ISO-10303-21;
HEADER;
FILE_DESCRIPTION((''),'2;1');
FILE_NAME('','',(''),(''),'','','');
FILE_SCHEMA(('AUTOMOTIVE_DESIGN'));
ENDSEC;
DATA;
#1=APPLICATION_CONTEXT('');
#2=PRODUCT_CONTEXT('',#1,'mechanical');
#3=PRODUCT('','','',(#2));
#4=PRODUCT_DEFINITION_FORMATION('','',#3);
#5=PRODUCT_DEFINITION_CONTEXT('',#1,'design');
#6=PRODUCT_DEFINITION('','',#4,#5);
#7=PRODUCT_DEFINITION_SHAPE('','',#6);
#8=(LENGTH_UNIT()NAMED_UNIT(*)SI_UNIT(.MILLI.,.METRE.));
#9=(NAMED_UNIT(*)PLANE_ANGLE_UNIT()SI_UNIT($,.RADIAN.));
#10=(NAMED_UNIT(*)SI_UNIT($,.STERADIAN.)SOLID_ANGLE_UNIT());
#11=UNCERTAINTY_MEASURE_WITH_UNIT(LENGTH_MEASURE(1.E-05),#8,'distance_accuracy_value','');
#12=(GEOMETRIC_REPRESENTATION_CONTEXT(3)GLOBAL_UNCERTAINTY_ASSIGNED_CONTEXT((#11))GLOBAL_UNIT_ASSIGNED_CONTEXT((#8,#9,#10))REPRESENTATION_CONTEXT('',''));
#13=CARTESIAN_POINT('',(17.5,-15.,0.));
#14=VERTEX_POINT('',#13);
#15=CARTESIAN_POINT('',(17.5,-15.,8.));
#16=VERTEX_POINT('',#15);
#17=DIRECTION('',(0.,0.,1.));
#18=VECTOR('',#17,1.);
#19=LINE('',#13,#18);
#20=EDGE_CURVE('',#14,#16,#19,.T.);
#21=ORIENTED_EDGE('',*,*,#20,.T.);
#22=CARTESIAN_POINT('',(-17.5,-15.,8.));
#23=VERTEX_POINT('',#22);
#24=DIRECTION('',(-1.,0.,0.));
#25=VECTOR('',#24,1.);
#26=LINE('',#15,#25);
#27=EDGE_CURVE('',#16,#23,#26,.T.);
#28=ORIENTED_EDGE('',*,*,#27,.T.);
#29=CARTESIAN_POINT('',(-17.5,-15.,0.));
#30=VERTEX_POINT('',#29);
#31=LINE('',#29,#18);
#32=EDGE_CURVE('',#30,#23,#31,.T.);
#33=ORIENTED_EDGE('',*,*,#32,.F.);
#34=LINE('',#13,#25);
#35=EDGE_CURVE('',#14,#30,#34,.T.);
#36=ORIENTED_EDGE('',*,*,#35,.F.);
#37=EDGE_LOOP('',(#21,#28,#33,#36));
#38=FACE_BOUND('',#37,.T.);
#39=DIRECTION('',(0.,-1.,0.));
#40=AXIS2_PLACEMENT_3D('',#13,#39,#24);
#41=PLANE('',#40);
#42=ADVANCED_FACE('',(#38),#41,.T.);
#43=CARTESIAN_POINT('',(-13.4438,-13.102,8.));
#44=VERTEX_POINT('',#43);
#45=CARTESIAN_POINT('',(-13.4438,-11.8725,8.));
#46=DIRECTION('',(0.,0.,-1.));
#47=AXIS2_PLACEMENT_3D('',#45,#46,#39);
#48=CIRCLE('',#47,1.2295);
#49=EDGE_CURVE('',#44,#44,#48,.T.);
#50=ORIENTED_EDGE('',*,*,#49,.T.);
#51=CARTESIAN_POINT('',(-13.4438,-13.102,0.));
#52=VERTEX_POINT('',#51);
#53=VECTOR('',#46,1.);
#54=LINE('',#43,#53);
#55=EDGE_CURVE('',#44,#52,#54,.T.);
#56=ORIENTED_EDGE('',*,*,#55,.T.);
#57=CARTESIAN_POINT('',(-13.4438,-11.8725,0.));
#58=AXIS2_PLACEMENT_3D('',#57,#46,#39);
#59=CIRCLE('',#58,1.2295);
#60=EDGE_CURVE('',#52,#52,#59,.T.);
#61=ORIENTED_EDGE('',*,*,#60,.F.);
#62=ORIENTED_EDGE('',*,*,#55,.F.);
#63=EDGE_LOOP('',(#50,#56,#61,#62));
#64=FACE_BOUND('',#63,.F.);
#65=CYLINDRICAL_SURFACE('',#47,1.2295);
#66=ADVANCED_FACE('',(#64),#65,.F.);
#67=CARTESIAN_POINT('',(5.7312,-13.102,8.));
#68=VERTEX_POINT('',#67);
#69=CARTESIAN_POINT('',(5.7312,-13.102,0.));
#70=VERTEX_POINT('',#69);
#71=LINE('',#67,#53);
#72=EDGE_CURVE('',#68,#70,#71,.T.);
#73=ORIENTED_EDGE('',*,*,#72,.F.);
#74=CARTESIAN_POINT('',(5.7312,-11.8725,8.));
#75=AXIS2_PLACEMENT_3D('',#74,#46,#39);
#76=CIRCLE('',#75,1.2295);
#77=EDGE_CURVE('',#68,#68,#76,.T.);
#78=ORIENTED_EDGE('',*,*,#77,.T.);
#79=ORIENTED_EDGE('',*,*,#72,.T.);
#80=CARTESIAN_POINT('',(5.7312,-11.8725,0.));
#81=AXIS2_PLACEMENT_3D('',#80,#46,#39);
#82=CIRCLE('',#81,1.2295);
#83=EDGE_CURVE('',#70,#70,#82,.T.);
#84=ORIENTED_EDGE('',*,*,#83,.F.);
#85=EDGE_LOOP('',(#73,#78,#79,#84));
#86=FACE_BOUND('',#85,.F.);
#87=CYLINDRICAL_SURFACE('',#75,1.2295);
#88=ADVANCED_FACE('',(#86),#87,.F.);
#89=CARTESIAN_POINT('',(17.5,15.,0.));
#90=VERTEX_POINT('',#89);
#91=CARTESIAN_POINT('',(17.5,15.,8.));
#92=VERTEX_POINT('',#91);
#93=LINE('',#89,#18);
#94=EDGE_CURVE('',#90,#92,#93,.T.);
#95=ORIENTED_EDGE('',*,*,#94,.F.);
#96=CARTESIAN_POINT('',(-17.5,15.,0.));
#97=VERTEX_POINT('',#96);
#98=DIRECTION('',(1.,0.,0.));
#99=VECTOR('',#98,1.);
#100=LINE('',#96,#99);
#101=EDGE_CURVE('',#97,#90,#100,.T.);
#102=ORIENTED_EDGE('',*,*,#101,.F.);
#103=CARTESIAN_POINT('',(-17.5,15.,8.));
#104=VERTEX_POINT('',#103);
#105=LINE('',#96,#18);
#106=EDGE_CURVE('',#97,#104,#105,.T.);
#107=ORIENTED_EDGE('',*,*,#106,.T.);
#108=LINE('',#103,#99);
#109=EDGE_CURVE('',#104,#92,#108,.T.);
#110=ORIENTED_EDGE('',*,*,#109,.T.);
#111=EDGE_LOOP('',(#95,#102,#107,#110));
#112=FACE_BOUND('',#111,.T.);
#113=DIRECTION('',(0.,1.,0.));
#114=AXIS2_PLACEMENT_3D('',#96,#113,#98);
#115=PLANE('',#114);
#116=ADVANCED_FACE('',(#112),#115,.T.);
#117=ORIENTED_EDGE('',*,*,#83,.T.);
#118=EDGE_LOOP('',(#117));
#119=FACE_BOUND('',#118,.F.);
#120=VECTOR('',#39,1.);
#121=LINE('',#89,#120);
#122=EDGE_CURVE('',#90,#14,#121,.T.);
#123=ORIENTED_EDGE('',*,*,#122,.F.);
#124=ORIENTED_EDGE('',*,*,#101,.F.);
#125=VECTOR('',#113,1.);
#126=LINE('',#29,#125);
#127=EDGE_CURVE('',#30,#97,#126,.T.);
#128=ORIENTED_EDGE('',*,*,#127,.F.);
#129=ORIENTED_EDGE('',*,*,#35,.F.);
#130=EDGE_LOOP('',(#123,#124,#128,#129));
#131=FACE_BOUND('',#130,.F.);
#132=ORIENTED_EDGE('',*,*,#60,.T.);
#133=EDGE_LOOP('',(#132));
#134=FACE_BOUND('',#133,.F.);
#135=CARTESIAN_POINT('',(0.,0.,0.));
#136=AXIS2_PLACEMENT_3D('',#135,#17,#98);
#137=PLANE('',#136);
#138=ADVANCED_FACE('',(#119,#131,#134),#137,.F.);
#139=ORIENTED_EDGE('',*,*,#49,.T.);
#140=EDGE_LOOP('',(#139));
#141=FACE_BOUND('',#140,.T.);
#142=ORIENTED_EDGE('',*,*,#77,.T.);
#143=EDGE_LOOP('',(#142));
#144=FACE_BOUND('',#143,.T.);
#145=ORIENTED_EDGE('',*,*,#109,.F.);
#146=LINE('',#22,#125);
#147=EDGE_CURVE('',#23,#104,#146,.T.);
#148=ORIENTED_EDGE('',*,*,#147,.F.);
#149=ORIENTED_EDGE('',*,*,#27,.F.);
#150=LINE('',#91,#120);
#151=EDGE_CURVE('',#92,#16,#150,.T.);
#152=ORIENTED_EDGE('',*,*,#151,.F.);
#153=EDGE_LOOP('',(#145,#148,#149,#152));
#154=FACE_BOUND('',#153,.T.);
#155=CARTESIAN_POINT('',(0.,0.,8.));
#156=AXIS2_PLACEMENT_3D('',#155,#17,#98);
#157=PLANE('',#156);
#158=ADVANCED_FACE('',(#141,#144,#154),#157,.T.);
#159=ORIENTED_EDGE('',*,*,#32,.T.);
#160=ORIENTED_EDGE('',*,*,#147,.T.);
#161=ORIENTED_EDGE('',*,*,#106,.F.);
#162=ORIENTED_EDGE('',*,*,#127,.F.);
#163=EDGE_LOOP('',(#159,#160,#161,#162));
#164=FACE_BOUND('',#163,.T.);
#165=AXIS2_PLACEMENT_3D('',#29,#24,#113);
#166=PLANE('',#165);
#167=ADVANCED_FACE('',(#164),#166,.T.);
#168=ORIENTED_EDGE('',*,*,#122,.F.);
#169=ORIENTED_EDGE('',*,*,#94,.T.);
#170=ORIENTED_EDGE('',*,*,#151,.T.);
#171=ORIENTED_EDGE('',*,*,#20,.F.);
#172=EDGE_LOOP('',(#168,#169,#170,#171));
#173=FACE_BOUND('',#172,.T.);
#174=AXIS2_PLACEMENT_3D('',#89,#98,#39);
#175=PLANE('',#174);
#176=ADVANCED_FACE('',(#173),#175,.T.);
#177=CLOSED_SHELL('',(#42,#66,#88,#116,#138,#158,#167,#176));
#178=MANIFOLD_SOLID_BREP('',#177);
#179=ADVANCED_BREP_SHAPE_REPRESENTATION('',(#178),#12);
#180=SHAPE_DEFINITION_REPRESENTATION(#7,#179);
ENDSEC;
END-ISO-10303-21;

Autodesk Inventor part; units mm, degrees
ref_plane "YZ Plane" through (0, 0, 0) normal (1, 0, 0) x (0, 1, 0)
ref_plane "XZ Plane" through (0, 0, 0) normal (0, 1, 0) x (-1, 0, 0)
ref_plane "XY Plane" through (0, 0, 0) normal (0, 0, 1) x (1, 0, 0)
sketch "Sketch1" plane through (0, 0, 0) normal (0, 0, 1) x (1, 0, 0)
  line L0 (-17.5, 15) -> (17.5, 15)
  line L1 (17.5, 15) -> (17.5, -15)
  line L2 (17.5, -15) -> (-17.5, -15)
  line L3 (-17.5, -15) -> (-17.5, 15)
  point P0 (0, 0)
  point P1 (0, 15)
  point P2 (-17.5, 0)
  dimension "d0" = 35
  dimension "d1" = 30
extrude "Extrusion1" add sketch "Sketch1" along normal blind 8
sketch "Sketch6" plane through (0, 0, 8) normal (0, 0, 1) x (1, 0, 0)
  circle A0 centre (5.7312, -11.8725) radius 1.7875 projected
  circle A1 centre (-13.4438, -11.8725) radius 1.7875 projected
  point P0 (0, 0)
hole "Hole1" at (5.7312, -11.8725, 8) at (-13.4438, -11.8725, 8) direction (0, 0, -1) diameter 2.459 end through all thread size "M3x0.5" class "6H" standard "ISO Metric profile"
properties part number "0005-10-028 suport senzor y"
